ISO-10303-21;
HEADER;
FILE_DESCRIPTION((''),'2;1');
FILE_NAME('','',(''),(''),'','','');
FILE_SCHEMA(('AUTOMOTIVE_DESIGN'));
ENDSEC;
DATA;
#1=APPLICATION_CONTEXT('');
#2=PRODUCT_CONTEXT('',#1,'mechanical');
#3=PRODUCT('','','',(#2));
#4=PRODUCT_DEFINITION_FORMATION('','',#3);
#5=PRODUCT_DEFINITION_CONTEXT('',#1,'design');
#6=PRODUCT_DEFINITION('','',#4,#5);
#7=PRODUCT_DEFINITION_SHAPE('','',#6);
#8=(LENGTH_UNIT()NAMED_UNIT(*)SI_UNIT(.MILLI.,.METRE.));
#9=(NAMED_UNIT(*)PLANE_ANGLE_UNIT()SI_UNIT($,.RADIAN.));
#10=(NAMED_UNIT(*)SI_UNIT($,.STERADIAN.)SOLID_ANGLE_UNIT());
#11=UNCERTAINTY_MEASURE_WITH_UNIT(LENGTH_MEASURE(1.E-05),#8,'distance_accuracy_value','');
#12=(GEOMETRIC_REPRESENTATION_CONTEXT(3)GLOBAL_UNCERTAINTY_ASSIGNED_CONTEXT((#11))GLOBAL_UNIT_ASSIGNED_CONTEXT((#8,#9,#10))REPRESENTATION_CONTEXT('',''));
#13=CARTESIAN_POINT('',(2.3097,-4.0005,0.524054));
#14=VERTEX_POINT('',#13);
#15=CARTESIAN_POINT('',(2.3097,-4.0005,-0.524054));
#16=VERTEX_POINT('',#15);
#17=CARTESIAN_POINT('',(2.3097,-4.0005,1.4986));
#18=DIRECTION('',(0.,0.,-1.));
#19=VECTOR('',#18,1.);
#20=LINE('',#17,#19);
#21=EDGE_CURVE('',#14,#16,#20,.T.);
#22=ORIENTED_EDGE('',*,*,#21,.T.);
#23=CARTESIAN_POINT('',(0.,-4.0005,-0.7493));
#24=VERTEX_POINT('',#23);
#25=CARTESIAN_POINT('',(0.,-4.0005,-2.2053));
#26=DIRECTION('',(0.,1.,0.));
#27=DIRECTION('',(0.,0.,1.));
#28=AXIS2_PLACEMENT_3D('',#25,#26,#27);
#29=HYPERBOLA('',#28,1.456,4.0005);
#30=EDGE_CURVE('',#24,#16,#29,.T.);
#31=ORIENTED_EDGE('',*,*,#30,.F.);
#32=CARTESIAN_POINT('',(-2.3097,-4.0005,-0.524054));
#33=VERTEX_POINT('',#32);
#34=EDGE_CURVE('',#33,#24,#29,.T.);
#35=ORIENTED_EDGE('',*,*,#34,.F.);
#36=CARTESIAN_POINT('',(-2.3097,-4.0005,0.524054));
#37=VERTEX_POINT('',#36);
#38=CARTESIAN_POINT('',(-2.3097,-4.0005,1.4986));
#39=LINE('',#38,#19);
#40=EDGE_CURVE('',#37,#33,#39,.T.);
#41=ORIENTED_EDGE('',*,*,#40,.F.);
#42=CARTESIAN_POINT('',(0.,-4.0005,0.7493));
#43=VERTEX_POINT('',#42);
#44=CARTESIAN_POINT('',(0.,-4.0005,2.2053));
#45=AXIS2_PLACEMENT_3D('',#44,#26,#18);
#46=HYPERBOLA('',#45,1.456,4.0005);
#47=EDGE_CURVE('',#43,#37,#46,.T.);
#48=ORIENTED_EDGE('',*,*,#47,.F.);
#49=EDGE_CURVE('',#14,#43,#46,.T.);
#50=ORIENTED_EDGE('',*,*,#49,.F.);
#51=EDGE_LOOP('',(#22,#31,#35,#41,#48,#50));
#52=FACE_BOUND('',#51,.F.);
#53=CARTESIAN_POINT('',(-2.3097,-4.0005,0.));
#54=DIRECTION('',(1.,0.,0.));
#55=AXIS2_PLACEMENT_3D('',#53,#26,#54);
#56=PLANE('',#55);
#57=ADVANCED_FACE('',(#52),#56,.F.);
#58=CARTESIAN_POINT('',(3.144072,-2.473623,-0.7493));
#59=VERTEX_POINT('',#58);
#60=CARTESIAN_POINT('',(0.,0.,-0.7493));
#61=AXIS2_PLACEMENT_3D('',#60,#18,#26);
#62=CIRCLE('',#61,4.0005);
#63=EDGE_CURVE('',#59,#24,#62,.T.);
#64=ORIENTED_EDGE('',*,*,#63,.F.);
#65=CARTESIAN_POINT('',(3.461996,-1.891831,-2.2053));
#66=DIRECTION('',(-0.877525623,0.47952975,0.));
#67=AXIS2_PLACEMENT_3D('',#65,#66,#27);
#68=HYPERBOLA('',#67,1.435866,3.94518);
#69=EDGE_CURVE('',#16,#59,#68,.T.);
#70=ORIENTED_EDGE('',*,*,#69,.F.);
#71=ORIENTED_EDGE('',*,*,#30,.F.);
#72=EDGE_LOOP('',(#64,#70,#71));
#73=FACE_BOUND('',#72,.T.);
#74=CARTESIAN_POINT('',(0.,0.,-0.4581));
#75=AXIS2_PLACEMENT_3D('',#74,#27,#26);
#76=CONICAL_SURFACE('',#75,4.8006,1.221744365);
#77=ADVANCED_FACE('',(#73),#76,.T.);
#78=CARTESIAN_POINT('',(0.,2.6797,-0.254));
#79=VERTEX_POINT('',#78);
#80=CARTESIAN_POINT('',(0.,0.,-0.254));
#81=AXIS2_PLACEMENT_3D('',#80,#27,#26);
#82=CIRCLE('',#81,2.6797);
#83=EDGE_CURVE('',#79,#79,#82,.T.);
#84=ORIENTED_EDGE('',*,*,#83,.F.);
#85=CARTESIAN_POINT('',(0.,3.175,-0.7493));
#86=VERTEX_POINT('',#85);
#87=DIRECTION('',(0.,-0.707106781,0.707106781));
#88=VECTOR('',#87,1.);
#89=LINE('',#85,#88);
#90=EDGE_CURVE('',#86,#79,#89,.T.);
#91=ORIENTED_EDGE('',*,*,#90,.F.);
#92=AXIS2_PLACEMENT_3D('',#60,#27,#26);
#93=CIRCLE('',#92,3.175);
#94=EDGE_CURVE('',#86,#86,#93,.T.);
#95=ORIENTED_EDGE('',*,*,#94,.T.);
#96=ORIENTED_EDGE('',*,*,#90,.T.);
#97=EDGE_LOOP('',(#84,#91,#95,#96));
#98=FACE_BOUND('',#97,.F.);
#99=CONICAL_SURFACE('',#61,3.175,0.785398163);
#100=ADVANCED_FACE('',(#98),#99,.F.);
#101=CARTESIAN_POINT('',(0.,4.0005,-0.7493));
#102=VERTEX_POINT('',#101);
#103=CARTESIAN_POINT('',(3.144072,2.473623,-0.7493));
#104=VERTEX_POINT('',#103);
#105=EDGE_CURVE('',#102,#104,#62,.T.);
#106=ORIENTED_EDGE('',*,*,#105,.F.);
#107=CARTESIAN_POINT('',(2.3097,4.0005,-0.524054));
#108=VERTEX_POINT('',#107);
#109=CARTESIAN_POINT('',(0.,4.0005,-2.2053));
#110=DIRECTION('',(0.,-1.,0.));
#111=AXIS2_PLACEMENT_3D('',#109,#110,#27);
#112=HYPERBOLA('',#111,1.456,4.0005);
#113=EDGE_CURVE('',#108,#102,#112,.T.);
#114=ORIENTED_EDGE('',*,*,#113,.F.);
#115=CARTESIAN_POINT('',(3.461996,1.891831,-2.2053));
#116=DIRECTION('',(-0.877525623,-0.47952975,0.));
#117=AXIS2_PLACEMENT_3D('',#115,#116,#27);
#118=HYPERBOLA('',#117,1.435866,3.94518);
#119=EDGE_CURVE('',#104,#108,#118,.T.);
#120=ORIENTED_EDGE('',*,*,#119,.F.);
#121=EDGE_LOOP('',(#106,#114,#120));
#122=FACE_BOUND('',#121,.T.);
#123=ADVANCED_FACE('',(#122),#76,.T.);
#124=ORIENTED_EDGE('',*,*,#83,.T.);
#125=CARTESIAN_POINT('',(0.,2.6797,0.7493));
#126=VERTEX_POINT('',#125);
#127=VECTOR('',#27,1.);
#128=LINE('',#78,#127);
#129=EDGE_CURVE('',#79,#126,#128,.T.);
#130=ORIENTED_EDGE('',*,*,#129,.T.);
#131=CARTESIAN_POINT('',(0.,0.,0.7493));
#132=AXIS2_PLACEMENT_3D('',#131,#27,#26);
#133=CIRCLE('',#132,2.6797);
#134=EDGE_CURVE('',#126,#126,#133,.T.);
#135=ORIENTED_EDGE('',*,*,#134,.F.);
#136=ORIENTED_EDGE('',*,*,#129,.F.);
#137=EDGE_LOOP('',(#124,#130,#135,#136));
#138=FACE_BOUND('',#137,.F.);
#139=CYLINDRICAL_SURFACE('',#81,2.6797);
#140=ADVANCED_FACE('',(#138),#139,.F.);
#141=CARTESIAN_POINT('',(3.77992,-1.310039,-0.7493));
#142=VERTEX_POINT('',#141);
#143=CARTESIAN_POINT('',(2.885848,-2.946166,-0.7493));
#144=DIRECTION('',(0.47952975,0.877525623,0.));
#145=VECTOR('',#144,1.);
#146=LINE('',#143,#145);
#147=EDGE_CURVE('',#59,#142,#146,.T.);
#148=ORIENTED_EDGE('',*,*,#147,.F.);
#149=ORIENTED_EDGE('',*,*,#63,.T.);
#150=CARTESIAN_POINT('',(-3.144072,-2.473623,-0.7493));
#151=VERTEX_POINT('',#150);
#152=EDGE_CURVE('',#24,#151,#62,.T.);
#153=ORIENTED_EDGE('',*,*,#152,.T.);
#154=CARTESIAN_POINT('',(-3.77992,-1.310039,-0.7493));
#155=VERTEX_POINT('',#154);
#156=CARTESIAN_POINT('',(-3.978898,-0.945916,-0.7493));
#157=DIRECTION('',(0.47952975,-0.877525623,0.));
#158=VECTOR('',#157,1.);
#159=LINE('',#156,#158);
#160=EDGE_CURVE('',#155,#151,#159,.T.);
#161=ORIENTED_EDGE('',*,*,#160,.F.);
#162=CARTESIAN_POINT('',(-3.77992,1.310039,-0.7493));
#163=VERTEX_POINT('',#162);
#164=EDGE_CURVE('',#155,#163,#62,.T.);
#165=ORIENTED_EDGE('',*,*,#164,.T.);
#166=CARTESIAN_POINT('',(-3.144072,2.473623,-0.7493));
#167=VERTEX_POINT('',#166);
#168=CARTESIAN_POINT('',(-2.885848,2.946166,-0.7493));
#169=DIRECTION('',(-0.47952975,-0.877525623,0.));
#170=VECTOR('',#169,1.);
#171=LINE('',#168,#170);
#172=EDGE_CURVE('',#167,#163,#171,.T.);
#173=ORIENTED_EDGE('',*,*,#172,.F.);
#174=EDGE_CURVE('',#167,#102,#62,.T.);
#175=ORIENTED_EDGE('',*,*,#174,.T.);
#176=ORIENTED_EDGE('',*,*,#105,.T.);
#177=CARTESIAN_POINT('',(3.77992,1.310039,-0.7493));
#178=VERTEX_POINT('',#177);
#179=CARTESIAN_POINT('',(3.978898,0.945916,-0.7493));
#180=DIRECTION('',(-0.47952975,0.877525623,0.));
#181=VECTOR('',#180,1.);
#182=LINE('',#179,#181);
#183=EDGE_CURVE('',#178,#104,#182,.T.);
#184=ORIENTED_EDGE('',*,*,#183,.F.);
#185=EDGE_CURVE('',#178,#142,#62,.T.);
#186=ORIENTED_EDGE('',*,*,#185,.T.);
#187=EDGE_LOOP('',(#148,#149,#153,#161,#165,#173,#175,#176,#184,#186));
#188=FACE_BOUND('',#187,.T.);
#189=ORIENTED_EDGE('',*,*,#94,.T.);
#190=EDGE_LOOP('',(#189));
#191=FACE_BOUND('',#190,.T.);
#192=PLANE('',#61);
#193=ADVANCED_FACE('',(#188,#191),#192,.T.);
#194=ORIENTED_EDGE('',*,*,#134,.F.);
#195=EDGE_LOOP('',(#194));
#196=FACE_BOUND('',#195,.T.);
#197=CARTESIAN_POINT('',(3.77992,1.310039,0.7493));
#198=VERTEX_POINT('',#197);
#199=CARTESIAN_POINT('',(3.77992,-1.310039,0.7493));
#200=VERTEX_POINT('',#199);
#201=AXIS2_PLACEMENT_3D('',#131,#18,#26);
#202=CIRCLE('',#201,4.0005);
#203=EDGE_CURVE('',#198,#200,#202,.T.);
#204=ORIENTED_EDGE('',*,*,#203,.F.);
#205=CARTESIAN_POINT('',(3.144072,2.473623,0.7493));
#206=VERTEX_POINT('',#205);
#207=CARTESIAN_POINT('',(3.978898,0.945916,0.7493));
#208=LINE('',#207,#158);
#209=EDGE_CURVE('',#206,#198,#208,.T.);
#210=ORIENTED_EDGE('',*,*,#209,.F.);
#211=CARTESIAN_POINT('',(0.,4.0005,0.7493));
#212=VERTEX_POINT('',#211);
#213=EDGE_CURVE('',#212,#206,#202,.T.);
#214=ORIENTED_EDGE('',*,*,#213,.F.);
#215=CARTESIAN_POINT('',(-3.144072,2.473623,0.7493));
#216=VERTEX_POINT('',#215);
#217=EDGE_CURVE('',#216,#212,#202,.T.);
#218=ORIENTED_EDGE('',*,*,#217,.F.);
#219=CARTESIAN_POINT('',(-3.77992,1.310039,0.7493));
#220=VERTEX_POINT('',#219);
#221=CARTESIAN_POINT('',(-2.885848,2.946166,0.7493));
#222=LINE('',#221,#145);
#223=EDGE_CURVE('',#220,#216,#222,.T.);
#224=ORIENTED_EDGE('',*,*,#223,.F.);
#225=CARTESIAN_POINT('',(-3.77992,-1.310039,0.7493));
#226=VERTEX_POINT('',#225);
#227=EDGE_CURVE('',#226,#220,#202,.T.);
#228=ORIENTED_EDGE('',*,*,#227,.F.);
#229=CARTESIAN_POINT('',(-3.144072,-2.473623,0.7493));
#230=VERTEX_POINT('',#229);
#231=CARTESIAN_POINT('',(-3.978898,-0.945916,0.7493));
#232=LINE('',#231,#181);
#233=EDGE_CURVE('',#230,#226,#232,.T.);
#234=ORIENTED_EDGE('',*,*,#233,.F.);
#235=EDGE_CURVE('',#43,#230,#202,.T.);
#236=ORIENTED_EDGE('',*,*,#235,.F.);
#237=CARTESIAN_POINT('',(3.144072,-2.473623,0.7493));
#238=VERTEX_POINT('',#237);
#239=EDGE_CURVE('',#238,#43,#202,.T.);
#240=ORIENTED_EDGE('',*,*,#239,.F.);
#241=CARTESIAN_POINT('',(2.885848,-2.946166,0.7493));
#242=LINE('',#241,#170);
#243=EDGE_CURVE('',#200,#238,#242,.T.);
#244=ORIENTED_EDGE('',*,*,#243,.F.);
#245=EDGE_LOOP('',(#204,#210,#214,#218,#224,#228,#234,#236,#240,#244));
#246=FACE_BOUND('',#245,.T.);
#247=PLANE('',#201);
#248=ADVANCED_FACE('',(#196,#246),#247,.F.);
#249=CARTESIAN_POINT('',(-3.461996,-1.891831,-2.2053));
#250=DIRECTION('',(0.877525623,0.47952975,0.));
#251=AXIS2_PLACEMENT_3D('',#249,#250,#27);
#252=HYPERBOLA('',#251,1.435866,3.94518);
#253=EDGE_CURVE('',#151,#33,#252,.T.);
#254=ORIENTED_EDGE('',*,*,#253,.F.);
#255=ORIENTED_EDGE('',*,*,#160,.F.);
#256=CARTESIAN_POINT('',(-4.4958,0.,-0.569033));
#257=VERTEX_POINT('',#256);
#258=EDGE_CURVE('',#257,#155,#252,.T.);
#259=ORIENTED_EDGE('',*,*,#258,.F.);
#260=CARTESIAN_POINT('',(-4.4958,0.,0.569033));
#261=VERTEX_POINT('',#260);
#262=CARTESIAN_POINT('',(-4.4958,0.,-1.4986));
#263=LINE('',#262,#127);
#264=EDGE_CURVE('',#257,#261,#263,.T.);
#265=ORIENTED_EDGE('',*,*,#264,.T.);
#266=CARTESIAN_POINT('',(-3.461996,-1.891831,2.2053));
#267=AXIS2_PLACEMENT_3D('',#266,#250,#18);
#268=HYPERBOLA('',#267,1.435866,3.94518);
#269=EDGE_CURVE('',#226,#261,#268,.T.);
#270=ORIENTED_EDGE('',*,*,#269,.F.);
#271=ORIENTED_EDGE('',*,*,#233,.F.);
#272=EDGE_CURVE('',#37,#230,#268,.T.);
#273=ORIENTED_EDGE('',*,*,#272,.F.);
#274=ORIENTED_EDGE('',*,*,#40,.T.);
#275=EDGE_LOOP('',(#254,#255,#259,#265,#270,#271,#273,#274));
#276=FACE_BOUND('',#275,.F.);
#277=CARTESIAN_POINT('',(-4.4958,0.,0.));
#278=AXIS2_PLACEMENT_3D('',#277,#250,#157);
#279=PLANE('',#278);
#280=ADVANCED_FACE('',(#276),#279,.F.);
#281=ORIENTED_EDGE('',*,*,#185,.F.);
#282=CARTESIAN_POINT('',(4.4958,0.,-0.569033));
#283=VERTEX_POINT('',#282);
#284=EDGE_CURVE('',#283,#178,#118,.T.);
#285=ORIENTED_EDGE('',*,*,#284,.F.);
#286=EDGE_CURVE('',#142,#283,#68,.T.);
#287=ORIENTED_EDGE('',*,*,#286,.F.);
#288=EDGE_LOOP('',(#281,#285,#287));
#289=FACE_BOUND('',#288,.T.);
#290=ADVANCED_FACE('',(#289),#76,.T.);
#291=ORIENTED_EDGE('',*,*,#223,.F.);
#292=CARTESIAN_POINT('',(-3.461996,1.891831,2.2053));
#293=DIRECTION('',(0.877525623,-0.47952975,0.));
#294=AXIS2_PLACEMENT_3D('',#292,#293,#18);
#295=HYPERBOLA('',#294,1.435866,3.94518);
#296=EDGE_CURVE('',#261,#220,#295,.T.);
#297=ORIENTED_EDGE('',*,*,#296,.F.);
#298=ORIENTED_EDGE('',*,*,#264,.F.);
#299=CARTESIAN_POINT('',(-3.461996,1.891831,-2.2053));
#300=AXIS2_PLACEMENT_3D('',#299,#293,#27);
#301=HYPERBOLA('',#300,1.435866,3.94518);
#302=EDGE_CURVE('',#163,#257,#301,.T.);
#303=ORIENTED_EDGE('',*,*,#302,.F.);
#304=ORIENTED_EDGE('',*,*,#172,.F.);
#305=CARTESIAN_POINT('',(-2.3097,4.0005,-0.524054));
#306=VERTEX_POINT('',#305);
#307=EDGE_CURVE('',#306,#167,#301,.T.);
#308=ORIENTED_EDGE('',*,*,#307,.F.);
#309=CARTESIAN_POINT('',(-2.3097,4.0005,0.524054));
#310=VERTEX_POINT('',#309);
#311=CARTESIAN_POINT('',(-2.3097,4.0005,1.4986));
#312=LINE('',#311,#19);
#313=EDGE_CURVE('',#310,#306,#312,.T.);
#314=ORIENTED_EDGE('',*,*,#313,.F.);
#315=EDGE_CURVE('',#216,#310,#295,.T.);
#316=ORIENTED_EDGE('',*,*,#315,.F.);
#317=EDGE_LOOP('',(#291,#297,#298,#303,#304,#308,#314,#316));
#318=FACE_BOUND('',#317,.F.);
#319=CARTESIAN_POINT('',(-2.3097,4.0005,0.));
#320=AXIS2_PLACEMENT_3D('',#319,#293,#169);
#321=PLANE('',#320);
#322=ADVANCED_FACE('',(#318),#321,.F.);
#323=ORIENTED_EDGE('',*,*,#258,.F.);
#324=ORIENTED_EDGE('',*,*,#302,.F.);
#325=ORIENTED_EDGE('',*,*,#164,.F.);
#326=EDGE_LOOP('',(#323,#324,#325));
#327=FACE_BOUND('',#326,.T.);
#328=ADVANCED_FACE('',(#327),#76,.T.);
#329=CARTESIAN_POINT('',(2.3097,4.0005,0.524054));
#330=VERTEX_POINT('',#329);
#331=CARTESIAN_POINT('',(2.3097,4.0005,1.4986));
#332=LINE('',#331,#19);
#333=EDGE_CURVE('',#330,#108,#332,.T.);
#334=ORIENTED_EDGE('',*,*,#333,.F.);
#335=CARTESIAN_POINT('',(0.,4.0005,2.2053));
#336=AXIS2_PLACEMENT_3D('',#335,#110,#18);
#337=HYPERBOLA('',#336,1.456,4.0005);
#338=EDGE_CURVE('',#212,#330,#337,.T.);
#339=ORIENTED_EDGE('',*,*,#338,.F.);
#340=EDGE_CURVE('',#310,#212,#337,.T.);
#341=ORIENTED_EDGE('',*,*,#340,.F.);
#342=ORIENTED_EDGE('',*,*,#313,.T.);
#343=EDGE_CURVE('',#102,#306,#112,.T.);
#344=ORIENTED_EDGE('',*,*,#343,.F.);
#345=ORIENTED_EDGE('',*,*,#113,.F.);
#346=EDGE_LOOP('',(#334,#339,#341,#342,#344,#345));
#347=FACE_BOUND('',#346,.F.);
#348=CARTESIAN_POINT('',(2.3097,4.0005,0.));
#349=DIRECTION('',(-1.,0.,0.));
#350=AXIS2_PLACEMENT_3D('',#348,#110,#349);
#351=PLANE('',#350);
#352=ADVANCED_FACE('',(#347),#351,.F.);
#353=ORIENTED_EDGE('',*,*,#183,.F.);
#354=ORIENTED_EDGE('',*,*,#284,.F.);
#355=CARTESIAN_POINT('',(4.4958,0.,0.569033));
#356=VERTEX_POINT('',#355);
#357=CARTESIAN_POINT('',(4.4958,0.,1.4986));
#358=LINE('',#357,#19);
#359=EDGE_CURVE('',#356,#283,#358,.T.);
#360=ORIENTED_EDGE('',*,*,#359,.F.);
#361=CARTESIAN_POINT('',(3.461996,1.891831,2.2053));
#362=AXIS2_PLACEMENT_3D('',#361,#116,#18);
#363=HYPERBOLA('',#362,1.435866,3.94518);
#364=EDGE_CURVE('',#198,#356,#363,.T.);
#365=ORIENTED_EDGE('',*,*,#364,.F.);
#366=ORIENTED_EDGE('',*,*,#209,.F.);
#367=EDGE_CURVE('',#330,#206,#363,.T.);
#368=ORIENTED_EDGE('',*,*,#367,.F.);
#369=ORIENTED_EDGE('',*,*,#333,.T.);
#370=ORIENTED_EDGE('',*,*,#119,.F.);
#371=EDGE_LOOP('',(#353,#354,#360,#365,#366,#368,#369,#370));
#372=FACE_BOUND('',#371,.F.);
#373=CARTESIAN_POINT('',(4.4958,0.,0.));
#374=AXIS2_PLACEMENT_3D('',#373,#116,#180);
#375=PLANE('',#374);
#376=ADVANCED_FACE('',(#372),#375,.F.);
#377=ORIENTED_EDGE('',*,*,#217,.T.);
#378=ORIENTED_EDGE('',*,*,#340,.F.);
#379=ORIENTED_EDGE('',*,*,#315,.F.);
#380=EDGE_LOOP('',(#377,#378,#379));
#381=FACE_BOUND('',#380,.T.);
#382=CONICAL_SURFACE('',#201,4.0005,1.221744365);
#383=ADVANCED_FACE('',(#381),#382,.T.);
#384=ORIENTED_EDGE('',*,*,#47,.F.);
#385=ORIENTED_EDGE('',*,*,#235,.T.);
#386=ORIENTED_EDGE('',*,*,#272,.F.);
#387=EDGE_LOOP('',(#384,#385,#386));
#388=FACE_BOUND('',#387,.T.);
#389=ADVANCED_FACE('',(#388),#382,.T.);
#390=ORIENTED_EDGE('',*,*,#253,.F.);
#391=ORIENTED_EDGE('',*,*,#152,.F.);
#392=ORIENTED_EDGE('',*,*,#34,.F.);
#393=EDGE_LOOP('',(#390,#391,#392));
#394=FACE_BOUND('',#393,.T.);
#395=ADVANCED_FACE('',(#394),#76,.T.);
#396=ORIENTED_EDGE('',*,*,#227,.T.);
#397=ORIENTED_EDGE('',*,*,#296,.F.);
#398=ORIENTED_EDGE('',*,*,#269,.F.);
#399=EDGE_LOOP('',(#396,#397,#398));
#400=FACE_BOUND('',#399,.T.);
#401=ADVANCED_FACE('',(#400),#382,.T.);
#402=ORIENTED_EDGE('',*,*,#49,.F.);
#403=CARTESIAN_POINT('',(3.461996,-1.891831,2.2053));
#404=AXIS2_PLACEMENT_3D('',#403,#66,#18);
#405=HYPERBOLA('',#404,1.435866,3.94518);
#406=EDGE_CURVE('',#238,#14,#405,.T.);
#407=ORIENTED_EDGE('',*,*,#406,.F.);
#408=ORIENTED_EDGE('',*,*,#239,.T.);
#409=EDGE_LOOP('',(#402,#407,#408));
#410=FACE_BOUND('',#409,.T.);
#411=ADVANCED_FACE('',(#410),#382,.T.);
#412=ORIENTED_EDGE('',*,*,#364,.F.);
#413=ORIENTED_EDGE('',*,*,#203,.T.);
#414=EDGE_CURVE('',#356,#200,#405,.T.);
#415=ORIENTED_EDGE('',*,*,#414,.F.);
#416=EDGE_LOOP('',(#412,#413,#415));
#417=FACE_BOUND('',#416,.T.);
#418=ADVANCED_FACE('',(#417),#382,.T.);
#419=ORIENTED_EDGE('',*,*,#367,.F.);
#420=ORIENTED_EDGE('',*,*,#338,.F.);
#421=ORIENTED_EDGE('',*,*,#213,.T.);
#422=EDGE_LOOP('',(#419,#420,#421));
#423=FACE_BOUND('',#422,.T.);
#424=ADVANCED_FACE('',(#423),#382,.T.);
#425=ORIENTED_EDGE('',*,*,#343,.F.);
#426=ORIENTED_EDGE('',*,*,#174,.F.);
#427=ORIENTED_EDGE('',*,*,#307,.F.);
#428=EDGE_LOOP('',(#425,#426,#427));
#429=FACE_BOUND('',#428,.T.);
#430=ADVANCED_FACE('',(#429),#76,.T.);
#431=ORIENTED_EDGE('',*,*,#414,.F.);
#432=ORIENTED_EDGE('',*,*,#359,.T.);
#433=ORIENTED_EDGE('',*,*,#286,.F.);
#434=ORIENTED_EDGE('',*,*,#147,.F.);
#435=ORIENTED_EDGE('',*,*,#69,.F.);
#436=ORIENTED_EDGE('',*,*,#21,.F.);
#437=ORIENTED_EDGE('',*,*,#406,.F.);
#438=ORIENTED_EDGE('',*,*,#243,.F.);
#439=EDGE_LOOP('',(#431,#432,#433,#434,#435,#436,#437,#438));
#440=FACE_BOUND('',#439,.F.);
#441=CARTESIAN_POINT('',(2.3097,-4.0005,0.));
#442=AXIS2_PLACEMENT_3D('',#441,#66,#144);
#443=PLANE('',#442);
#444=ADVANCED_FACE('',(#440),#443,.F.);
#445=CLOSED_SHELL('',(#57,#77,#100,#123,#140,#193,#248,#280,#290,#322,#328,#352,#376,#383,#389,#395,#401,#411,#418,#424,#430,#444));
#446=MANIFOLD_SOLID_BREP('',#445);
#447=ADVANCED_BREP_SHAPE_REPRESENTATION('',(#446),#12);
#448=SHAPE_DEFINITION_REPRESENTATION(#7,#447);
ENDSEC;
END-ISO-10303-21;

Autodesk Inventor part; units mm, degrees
sketch "Sketch_1" plane through (0, 0, 0) normal (1, 0, 0) x (0, 1, 0)
  line L0 (0, -0.7493) -> (0, 0.7493)
  line L1 (0, 0.7493) -> (4.0005, 0.7493)
  line L2 (4.0005, 0.7493) -> (4.8006, 0.4581)
  line L3 (4.8006, 0.4581) -> (4.8006, -0.4581)
  line L4 (4.8006, -0.4581) -> (4.0005, -0.7493)
  line L5 (4.0005, -0.7493) -> (0, -0.7493)
  line L6 (0, -0.7493) -> (0, 0.7493)
revolve "Revolution1" add sketch "Sketch_1" angle 360 about axis through (0, 0, -0.7493) along (0, 0, -1)
sketch "Sketch_2" plane through (0, 0, 0) normal (0, 0, 1) x (1, 0, 0)
  line L0 (-8.001, 8.001) -> (-8.001, -8.001)
  line L1 (-8.001, -8.001) -> (8.001, -8.001)
  line L2 (8.001, -8.001) -> (8.001, 8.001)
  line L3 (8.001, 8.001) -> (-8.001, 8.001)
  line L4 (-4.4958, 0) -> (-2.3097, -4.0005)
  line L5 (-2.3097, -4.0005) -> (2.3097, -4.0005)
  line L6 (2.3097, -4.0005) -> (4.4958, 0)
  line L7 (4.4958, 0) -> (2.3097, 4.0005)
  line L8 (2.3097, 4.0005) -> (-2.3097, 4.0005)
  line L9 (-2.3097, 4.0005) -> (-4.4958, 0)
extrude "Extrusion1" cut sketch "Sketch_2" along normal mid plane 2.9972
sketch "Sketch3" plane through (0, 0, -0.7493) normal (0, 0, -1) x (-1, 0, 0)
  point P0 (0, 0)
hole "Drilling 1" at (0, 0, -0.7493) direction (0, 0, 1) diameter 5.3594 depth 1.4986 countersink diameter 6.35 countersink angle 90 thread size "1/4-28 UNF" class "2B" standard "ANSI Unified Screw Threads"
ref_plane "nut_XY" through (0, 0, 0.7493) normal (0, 0, 1) x (1, 0, 0)
ref_plane "nut_YZ" through (0, 0, 0.7493) normal (1, 0, 0) x (0, 1, 0)
ref_plane "nut_ZX" through (0, 0, 0.7493) normal (0, 1, 0) x (0, 0, 1)
properties part number "AT513H"
